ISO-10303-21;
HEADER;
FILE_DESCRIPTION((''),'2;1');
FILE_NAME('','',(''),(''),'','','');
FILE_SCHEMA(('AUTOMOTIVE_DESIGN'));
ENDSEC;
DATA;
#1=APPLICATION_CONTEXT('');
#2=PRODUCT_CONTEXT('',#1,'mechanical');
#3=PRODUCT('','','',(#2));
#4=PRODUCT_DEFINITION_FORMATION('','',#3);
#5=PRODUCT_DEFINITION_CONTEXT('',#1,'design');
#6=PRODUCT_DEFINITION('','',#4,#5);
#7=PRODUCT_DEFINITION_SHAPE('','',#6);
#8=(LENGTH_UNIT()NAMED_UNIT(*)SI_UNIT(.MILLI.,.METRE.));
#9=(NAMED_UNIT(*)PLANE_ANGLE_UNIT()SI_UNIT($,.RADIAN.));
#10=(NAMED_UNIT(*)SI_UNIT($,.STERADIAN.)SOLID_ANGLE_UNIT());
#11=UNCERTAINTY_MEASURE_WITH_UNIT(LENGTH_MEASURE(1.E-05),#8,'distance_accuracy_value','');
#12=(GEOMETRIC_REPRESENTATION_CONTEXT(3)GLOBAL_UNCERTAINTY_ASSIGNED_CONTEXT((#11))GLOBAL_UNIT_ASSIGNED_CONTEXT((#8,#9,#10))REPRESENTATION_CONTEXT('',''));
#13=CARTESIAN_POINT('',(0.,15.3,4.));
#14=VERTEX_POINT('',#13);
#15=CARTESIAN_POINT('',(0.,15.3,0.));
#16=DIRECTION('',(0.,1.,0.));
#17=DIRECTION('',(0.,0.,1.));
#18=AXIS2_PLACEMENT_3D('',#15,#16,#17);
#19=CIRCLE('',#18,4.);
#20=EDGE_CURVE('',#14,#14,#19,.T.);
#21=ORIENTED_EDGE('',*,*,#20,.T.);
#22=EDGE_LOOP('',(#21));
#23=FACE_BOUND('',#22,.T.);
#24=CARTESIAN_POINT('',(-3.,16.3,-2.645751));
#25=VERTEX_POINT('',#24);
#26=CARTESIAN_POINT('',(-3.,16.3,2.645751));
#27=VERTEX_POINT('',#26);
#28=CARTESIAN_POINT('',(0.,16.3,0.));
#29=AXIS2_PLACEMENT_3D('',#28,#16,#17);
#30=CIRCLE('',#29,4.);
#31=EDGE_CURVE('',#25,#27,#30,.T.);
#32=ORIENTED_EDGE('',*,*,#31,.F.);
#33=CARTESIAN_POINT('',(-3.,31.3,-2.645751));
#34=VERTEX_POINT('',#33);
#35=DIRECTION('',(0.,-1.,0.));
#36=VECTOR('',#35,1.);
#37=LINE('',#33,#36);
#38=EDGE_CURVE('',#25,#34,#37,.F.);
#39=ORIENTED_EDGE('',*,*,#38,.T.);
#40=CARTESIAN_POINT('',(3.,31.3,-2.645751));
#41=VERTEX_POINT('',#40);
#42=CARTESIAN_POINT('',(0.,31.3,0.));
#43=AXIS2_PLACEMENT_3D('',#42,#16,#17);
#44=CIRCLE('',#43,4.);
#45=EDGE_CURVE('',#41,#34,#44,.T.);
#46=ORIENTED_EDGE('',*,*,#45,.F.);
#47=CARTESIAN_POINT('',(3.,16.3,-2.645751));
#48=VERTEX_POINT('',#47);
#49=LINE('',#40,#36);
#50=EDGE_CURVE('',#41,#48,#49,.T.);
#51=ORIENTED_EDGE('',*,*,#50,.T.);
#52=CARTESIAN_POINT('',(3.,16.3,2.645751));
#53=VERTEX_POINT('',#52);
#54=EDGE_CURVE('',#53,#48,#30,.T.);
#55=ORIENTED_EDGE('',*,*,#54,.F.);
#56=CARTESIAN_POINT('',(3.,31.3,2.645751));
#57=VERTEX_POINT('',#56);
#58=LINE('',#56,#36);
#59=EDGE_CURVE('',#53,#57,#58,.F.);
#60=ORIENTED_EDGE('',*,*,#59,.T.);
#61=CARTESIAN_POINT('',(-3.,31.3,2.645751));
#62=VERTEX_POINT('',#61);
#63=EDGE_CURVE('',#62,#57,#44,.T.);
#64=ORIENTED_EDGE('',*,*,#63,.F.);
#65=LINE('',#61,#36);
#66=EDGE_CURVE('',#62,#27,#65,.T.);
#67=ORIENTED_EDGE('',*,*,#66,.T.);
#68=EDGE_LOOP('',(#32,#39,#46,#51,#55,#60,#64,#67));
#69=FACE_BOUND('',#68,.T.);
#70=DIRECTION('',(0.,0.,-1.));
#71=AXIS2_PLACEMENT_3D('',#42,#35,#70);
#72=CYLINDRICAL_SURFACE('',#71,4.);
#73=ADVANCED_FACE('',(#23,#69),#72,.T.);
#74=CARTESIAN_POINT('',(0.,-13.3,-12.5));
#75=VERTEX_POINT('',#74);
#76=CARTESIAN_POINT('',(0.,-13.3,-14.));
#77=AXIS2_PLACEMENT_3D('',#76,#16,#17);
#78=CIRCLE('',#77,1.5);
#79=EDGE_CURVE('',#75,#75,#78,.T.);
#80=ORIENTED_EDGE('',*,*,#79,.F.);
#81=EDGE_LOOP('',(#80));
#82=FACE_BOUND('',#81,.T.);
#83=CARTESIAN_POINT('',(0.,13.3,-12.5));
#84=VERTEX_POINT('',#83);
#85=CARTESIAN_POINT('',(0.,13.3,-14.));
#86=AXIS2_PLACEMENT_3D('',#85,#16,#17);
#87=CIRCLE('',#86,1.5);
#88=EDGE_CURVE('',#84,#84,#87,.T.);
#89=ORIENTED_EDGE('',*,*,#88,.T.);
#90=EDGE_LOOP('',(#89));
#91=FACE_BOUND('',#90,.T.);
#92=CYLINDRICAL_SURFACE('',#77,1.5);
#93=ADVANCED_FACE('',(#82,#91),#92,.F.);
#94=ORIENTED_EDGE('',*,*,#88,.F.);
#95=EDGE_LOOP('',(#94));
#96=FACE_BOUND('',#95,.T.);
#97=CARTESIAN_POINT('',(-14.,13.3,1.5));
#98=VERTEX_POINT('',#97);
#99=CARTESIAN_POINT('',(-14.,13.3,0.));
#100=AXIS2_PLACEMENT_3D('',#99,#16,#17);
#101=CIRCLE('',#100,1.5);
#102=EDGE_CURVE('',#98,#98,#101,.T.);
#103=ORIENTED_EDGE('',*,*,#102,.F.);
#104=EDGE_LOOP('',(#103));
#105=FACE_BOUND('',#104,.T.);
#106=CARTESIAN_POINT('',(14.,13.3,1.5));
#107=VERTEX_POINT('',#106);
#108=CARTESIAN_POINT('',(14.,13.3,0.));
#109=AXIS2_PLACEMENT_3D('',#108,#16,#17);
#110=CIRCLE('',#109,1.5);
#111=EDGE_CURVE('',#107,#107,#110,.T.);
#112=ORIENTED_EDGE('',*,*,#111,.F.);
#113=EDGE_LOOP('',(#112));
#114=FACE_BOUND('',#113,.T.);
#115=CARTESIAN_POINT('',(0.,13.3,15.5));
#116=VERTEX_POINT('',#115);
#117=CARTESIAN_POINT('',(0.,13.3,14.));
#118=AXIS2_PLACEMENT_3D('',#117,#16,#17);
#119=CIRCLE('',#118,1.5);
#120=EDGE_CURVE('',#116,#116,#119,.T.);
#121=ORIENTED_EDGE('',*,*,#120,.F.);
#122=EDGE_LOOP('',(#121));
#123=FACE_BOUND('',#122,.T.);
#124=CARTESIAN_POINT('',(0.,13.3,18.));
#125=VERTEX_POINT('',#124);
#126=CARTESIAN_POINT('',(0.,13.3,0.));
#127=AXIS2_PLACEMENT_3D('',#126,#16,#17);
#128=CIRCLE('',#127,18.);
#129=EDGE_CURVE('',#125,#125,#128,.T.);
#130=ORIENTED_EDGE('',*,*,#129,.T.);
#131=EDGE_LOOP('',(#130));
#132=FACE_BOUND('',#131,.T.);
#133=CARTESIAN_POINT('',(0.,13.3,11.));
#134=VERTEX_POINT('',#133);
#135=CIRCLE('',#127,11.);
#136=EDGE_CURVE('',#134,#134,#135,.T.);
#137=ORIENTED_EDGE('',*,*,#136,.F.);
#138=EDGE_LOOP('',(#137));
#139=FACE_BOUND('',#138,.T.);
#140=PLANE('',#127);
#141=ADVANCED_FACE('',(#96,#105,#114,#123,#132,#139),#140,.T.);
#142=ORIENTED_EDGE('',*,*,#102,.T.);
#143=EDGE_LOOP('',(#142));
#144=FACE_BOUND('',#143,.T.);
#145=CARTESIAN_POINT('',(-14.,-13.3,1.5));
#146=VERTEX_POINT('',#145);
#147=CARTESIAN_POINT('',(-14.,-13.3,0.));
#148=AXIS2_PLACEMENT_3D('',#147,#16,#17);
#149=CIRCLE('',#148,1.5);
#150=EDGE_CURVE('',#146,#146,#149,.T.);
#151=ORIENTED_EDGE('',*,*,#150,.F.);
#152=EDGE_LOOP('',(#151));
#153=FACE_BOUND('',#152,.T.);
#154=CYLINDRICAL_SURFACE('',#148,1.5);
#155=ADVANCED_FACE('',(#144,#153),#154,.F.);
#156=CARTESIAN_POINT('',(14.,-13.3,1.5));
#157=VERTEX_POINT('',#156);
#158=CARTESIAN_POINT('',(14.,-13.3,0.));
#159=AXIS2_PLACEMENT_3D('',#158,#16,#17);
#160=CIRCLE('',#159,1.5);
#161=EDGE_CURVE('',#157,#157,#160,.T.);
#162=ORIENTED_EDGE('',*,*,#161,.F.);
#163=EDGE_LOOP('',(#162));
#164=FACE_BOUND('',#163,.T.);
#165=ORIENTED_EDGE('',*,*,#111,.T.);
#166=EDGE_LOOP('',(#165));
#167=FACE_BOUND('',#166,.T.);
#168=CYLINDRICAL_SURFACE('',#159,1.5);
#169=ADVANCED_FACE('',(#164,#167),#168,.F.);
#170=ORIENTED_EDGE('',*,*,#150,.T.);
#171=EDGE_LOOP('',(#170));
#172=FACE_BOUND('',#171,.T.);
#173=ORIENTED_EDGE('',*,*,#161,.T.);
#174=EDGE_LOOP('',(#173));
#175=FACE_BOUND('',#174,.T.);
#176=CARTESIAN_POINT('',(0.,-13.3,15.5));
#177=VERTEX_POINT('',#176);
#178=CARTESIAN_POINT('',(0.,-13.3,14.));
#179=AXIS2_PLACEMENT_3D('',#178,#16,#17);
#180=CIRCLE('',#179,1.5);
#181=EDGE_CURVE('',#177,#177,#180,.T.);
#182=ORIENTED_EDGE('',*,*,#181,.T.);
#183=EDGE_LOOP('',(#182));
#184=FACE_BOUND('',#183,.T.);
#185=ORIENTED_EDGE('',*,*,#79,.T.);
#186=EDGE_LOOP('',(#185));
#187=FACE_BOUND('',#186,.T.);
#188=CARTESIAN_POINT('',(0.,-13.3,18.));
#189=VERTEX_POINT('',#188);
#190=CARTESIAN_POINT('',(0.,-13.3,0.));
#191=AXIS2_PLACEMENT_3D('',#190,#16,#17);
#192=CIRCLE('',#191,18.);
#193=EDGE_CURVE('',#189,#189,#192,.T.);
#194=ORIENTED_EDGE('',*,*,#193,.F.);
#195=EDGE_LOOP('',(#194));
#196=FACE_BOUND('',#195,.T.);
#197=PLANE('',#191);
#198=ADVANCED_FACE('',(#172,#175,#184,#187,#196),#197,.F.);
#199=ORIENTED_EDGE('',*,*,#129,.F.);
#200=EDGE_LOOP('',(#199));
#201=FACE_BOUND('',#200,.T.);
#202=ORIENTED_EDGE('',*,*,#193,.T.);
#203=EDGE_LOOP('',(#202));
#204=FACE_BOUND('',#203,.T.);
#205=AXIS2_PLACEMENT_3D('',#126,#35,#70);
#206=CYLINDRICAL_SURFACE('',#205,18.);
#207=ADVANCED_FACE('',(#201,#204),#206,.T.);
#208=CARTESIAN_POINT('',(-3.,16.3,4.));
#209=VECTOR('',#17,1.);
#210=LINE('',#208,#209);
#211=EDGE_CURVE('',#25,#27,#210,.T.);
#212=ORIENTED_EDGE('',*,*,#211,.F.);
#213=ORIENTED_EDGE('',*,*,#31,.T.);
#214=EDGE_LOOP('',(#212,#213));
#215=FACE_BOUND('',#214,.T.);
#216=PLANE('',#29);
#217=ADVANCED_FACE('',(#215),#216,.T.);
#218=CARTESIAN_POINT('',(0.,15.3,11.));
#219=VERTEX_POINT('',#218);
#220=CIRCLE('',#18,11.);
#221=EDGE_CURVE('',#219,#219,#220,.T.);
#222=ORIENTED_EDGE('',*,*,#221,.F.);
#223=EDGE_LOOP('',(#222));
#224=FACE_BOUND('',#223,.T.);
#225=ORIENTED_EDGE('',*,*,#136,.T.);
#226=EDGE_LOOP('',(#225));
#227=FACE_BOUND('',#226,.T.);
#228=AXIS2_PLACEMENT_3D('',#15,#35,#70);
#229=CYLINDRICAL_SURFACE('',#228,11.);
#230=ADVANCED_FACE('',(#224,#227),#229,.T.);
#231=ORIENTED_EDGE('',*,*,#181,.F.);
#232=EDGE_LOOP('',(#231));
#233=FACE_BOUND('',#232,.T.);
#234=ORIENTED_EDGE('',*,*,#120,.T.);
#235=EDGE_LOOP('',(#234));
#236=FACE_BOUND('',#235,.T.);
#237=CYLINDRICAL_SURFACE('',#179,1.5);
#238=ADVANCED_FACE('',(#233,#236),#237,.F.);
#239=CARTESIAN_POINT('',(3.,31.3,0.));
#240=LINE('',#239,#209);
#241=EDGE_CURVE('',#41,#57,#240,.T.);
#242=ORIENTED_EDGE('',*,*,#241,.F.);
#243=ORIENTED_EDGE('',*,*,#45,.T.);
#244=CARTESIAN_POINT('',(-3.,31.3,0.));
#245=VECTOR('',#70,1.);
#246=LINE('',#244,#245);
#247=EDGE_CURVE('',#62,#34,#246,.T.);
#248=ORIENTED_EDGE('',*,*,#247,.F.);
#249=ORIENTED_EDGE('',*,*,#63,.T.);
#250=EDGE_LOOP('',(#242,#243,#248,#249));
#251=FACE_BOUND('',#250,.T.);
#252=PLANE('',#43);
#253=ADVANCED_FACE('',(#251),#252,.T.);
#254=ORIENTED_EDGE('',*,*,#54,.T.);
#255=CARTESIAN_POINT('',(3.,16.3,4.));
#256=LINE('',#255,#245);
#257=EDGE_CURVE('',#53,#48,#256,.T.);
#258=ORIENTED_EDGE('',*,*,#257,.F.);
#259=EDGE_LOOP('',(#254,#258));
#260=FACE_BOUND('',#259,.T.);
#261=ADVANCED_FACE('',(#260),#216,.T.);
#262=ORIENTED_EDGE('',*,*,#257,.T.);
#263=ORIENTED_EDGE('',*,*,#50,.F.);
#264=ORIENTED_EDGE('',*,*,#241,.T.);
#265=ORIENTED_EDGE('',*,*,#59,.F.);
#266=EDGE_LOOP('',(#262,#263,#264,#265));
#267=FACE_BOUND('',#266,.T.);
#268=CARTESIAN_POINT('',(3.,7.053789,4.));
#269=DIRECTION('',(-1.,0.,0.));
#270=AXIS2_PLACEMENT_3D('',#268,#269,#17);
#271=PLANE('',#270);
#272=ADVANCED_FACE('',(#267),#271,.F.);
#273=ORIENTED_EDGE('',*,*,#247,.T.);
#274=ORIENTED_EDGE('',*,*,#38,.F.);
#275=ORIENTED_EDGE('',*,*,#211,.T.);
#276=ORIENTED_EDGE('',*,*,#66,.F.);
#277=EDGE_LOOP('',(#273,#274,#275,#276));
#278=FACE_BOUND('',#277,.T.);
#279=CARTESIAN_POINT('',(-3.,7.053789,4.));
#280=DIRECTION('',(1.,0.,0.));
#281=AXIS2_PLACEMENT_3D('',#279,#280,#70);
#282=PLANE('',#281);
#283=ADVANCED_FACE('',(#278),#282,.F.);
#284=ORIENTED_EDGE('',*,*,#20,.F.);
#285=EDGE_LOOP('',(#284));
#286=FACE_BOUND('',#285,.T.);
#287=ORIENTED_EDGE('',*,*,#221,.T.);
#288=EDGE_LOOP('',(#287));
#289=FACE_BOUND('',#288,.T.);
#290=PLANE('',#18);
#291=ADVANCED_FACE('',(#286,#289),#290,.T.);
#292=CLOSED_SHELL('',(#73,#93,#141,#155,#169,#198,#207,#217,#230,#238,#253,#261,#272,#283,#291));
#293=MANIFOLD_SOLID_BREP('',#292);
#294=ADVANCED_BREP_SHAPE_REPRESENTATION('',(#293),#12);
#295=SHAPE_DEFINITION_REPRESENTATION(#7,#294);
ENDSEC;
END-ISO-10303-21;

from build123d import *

# Parameters (mm, degrees)
SKETCH1_R           = 18
BOSS_EXTRUDE1_DEPTH = 13.3
SKETCH2_R           = 11
BOSS_EXTRUDE2_DEPTH = 2
SKETCH4_R           = 1.5
CUT_EXTRUDE1_DEPTH  = 39.287857083
SKETCH5_R           = 4
BOSS_EXTRUDE3_DEPTH = 16
CUT_EXTRUDE2_DEPTH  = 15


with BuildPart() as part:
    # Sketch1 → Boss-Extrude1 (new, symmetric)
    with BuildSketch(Plane(origin=(0, 0, 0), x_dir=(1, 0, 0), z_dir=(0, 1, 0))):
        with Locations(Location((0, 0, 0), (0, 0, 270))):
            Circle(SKETCH1_R)
    extrude(amount=BOSS_EXTRUDE1_DEPTH, both=True)

    # Sketch2 → Boss-Extrude2 (add)
    with BuildSketch(Plane(origin=(0, 13.3, 0), x_dir=(1, 0, 0), z_dir=(0, 1, 0))):
        with Locations(Location((0, 0, 0), (0, 0, 270))):
            Circle(SKETCH2_R)
    extrude(amount=BOSS_EXTRUDE2_DEPTH)

    # Sketch4 → Cut-Extrude1 (cut, through all)
    with BuildSketch(Plane(origin=(0, 15.3, 0), x_dir=(1, 0, 0), z_dir=(0, 1, 0))):
        with Locations(Location((-14, 0, 0), (0, 0, 270))):
            Circle(SKETCH4_R)
        with Locations(Location((0, -14, 0), (0, 0, 270))):
            Circle(SKETCH4_R)
        with Locations(Location((14, 0, 0), (0, 0, 270))):
            Circle(SKETCH4_R)
        with Locations(Location((0, 14, 0), (0, 0, 270))):
            Circle(SKETCH4_R)
    extrude(amount=-CUT_EXTRUDE1_DEPTH, mode=Mode.SUBTRACT)

    # Sketch5 → Boss-Extrude3 (add)
    with BuildSketch(Plane(origin=(0, 15.3, 0), x_dir=(1, 0, 0), z_dir=(0, 1, 0))):
        with Locations(Location((0, 0, 0), (0, 0, 270))):
            Circle(SKETCH5_R)
    extrude(amount=BOSS_EXTRUDE3_DEPTH)

    # Sketch6 → Cut-Extrude2 (cut)
    with BuildSketch(Plane(origin=(0, 31.3, 0), x_dir=(1, 0, 0), z_dir=(0, 1, 0))):
        with BuildLine():
            Line((-3, -4), (-3, 4))
            ThreePointArc((-3, 4), (-5, 0), (-3, -4))
        make_face()
        with BuildLine():
            Line((3, -4), (3, 4))
            ThreePointArc((3, 4), (5, 0), (3, -4))
        make_face()
    extrude(amount=-CUT_EXTRUDE2_DEPTH, mode=Mode.SUBTRACT)


solid = part.part
